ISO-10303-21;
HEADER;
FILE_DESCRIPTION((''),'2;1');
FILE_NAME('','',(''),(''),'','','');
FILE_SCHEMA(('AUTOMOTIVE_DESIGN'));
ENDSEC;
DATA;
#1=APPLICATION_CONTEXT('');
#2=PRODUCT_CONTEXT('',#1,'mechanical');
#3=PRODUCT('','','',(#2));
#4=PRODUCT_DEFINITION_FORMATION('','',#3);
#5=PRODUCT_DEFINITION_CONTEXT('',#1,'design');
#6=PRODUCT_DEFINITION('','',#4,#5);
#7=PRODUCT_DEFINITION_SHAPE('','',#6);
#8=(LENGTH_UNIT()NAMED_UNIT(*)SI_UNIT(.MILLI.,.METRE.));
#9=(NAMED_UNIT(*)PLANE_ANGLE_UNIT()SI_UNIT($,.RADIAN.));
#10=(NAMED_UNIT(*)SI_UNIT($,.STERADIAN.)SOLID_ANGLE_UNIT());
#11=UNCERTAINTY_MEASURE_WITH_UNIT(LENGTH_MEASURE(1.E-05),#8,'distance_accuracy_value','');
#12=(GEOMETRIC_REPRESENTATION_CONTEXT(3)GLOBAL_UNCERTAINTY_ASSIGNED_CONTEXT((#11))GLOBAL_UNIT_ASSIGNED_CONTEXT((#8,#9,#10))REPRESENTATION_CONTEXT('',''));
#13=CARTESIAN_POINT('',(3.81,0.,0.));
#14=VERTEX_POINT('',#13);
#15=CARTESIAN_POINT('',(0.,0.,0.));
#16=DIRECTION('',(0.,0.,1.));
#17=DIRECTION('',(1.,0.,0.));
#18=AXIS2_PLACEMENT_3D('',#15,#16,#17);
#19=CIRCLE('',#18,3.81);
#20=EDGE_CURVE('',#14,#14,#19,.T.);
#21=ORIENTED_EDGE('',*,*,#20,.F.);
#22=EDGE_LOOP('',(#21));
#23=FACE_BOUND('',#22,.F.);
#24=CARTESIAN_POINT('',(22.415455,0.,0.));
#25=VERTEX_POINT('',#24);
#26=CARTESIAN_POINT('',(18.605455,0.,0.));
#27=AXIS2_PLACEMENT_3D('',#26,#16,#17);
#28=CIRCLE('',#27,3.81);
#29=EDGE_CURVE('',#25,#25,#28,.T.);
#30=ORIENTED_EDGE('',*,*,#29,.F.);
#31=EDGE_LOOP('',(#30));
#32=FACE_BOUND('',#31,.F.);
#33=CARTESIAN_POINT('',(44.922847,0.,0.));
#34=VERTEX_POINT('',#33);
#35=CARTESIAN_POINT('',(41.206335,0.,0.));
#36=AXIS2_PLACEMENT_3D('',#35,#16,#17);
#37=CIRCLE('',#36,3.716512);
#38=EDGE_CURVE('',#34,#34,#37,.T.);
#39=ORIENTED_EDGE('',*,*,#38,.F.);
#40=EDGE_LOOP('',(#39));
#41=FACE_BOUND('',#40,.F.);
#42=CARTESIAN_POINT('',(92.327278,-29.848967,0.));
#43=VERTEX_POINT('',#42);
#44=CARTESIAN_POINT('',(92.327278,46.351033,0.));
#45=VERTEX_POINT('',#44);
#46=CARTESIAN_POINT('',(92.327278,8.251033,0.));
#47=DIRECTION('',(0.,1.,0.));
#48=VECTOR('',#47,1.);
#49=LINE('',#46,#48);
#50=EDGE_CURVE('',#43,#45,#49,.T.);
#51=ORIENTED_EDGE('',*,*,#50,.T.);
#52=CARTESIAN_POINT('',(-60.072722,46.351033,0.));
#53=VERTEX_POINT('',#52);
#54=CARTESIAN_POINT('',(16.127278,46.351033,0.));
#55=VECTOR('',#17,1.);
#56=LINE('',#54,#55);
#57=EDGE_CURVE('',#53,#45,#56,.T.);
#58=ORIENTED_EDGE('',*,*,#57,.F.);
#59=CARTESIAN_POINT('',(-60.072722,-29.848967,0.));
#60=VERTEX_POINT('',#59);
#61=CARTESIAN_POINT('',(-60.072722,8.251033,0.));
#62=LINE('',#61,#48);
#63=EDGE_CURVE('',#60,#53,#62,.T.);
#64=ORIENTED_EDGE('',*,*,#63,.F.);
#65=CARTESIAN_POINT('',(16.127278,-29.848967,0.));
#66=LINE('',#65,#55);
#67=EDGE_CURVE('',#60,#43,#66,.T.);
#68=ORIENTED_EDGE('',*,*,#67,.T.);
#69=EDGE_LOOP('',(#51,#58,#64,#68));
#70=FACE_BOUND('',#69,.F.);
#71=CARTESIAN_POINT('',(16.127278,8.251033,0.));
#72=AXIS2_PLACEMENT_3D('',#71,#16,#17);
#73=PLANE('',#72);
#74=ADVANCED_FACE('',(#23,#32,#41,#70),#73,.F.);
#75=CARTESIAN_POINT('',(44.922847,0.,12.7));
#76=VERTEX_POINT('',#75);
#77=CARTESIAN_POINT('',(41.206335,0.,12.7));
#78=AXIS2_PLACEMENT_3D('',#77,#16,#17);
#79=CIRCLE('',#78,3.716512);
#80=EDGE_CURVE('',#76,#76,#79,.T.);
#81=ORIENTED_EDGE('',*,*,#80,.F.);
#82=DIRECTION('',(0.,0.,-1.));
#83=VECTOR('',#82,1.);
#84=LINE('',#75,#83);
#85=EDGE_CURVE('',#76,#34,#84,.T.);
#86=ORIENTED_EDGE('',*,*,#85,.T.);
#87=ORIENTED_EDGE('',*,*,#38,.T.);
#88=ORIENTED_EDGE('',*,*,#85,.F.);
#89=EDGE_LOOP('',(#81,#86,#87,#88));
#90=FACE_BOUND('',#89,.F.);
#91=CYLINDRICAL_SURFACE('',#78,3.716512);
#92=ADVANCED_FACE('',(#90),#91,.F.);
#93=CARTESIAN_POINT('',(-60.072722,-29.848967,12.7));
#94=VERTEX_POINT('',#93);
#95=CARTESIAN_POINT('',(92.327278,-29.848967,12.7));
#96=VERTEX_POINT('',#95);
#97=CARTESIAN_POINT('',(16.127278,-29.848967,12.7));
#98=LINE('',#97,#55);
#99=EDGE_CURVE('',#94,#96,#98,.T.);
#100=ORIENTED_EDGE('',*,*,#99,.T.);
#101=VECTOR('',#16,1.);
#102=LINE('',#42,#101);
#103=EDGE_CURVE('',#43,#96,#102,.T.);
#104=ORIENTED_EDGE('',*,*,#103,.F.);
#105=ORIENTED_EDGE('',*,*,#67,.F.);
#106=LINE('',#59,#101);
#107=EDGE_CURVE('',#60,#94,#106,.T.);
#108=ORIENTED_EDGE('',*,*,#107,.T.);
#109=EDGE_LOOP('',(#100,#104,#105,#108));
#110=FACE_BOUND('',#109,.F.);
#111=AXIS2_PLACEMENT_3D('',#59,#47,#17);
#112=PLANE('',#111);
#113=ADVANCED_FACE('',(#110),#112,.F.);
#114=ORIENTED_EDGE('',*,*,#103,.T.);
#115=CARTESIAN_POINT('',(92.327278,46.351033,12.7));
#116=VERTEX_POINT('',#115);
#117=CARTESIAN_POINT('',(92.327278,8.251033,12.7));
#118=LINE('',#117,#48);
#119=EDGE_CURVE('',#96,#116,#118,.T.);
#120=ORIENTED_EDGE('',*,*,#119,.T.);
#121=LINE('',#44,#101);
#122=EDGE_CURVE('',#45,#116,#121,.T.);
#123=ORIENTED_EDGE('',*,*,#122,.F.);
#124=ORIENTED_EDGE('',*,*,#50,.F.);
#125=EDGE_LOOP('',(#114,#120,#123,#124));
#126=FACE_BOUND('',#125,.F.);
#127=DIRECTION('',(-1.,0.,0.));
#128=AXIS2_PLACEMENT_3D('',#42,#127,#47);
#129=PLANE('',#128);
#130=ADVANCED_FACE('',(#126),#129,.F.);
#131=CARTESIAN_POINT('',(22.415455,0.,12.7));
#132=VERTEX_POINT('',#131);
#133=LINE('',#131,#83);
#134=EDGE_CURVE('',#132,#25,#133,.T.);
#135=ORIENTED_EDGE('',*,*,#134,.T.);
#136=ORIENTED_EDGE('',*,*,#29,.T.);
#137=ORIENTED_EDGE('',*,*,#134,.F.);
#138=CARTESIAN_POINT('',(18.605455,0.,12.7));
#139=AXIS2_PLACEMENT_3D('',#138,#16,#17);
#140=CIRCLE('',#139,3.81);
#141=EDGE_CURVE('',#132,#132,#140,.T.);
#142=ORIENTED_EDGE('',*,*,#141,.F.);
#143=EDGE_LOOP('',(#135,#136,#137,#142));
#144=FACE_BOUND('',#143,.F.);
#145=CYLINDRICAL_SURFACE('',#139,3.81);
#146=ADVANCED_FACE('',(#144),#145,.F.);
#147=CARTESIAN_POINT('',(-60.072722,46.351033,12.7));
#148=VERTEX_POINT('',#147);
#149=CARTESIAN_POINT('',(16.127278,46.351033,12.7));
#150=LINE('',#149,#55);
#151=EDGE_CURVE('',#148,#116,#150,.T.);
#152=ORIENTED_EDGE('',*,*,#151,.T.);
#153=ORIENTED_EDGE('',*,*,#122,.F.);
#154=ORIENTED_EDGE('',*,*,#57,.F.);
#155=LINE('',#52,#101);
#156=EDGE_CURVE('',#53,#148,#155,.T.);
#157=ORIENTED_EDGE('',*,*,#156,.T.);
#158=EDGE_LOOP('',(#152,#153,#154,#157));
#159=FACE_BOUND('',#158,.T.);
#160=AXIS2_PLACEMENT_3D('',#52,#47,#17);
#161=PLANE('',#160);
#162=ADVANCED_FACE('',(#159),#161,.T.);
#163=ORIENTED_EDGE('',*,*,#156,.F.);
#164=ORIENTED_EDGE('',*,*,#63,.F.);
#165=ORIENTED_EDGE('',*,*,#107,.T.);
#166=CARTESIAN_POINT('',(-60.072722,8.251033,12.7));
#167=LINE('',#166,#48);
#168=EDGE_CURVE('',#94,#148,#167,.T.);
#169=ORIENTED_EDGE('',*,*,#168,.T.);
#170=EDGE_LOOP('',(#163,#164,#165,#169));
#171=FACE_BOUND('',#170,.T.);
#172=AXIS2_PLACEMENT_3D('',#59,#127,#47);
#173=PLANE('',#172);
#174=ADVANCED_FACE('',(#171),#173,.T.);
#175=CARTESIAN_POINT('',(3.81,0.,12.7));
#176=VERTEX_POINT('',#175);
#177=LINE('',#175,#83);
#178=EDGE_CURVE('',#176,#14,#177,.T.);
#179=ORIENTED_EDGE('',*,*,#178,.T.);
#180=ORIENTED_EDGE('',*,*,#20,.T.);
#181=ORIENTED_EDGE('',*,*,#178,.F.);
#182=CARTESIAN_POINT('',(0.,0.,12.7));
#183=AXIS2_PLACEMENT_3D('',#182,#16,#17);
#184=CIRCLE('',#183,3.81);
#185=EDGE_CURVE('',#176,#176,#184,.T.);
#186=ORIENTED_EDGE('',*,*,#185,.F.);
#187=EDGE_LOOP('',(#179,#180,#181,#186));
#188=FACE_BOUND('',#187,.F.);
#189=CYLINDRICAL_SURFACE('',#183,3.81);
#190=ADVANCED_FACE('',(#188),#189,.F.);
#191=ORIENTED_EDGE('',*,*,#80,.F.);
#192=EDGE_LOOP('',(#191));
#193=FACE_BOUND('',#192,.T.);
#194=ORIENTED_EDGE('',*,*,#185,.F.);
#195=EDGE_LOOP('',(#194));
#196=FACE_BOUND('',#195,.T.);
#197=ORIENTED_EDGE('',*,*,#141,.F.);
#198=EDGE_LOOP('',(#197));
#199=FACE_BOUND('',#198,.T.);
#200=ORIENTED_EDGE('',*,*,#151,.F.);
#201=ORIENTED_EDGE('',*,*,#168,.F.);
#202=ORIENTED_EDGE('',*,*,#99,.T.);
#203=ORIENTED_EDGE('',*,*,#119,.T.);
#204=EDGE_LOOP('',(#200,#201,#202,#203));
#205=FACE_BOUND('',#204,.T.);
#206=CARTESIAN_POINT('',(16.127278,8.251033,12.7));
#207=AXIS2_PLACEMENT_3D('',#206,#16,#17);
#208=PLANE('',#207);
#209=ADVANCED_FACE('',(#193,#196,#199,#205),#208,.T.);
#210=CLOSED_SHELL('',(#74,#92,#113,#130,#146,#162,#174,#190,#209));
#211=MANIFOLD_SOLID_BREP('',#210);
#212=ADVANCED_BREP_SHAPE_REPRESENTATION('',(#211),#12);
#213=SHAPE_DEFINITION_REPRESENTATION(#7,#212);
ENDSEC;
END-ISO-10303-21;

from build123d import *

# Parameters (mm, degrees)
F0_W     = 152.4
F0_H     = 76.2
F1_DEPTH = 12.7
F2_R     = 3.81
F3_DEPTH = 25.4
F4_R     = 3.81
F4_R_2   = 3.716512
F5_DEPTH = 12.701


with BuildPart() as f1:
    # F0 (on Top) → F1 (new body)
    with BuildSketch(Plane.XY):
        with Locations((16.127278, 8.251033)):
            Rectangle(F0_W, F0_H)
    extrude(amount=F1_DEPTH)

    # F2 (on face) → F3 (cut)
    with BuildSketch(Plane.XY.offset(12.7)):
        Circle(F2_R)
    extrude(amount=-F3_DEPTH, mode=Mode.SUBTRACT)

    # F4 (on face) → F5 (cut, through all)
    with BuildSketch(Plane.XY.offset(12.7)):
        with Locations((18.605455, 0)):
            Circle(F4_R)
        with Locations((41.206335, 0)):
            Circle(F4_R_2)
    extrude(amount=-F5_DEPTH, mode=Mode.SUBTRACT)


solid = f1.part
